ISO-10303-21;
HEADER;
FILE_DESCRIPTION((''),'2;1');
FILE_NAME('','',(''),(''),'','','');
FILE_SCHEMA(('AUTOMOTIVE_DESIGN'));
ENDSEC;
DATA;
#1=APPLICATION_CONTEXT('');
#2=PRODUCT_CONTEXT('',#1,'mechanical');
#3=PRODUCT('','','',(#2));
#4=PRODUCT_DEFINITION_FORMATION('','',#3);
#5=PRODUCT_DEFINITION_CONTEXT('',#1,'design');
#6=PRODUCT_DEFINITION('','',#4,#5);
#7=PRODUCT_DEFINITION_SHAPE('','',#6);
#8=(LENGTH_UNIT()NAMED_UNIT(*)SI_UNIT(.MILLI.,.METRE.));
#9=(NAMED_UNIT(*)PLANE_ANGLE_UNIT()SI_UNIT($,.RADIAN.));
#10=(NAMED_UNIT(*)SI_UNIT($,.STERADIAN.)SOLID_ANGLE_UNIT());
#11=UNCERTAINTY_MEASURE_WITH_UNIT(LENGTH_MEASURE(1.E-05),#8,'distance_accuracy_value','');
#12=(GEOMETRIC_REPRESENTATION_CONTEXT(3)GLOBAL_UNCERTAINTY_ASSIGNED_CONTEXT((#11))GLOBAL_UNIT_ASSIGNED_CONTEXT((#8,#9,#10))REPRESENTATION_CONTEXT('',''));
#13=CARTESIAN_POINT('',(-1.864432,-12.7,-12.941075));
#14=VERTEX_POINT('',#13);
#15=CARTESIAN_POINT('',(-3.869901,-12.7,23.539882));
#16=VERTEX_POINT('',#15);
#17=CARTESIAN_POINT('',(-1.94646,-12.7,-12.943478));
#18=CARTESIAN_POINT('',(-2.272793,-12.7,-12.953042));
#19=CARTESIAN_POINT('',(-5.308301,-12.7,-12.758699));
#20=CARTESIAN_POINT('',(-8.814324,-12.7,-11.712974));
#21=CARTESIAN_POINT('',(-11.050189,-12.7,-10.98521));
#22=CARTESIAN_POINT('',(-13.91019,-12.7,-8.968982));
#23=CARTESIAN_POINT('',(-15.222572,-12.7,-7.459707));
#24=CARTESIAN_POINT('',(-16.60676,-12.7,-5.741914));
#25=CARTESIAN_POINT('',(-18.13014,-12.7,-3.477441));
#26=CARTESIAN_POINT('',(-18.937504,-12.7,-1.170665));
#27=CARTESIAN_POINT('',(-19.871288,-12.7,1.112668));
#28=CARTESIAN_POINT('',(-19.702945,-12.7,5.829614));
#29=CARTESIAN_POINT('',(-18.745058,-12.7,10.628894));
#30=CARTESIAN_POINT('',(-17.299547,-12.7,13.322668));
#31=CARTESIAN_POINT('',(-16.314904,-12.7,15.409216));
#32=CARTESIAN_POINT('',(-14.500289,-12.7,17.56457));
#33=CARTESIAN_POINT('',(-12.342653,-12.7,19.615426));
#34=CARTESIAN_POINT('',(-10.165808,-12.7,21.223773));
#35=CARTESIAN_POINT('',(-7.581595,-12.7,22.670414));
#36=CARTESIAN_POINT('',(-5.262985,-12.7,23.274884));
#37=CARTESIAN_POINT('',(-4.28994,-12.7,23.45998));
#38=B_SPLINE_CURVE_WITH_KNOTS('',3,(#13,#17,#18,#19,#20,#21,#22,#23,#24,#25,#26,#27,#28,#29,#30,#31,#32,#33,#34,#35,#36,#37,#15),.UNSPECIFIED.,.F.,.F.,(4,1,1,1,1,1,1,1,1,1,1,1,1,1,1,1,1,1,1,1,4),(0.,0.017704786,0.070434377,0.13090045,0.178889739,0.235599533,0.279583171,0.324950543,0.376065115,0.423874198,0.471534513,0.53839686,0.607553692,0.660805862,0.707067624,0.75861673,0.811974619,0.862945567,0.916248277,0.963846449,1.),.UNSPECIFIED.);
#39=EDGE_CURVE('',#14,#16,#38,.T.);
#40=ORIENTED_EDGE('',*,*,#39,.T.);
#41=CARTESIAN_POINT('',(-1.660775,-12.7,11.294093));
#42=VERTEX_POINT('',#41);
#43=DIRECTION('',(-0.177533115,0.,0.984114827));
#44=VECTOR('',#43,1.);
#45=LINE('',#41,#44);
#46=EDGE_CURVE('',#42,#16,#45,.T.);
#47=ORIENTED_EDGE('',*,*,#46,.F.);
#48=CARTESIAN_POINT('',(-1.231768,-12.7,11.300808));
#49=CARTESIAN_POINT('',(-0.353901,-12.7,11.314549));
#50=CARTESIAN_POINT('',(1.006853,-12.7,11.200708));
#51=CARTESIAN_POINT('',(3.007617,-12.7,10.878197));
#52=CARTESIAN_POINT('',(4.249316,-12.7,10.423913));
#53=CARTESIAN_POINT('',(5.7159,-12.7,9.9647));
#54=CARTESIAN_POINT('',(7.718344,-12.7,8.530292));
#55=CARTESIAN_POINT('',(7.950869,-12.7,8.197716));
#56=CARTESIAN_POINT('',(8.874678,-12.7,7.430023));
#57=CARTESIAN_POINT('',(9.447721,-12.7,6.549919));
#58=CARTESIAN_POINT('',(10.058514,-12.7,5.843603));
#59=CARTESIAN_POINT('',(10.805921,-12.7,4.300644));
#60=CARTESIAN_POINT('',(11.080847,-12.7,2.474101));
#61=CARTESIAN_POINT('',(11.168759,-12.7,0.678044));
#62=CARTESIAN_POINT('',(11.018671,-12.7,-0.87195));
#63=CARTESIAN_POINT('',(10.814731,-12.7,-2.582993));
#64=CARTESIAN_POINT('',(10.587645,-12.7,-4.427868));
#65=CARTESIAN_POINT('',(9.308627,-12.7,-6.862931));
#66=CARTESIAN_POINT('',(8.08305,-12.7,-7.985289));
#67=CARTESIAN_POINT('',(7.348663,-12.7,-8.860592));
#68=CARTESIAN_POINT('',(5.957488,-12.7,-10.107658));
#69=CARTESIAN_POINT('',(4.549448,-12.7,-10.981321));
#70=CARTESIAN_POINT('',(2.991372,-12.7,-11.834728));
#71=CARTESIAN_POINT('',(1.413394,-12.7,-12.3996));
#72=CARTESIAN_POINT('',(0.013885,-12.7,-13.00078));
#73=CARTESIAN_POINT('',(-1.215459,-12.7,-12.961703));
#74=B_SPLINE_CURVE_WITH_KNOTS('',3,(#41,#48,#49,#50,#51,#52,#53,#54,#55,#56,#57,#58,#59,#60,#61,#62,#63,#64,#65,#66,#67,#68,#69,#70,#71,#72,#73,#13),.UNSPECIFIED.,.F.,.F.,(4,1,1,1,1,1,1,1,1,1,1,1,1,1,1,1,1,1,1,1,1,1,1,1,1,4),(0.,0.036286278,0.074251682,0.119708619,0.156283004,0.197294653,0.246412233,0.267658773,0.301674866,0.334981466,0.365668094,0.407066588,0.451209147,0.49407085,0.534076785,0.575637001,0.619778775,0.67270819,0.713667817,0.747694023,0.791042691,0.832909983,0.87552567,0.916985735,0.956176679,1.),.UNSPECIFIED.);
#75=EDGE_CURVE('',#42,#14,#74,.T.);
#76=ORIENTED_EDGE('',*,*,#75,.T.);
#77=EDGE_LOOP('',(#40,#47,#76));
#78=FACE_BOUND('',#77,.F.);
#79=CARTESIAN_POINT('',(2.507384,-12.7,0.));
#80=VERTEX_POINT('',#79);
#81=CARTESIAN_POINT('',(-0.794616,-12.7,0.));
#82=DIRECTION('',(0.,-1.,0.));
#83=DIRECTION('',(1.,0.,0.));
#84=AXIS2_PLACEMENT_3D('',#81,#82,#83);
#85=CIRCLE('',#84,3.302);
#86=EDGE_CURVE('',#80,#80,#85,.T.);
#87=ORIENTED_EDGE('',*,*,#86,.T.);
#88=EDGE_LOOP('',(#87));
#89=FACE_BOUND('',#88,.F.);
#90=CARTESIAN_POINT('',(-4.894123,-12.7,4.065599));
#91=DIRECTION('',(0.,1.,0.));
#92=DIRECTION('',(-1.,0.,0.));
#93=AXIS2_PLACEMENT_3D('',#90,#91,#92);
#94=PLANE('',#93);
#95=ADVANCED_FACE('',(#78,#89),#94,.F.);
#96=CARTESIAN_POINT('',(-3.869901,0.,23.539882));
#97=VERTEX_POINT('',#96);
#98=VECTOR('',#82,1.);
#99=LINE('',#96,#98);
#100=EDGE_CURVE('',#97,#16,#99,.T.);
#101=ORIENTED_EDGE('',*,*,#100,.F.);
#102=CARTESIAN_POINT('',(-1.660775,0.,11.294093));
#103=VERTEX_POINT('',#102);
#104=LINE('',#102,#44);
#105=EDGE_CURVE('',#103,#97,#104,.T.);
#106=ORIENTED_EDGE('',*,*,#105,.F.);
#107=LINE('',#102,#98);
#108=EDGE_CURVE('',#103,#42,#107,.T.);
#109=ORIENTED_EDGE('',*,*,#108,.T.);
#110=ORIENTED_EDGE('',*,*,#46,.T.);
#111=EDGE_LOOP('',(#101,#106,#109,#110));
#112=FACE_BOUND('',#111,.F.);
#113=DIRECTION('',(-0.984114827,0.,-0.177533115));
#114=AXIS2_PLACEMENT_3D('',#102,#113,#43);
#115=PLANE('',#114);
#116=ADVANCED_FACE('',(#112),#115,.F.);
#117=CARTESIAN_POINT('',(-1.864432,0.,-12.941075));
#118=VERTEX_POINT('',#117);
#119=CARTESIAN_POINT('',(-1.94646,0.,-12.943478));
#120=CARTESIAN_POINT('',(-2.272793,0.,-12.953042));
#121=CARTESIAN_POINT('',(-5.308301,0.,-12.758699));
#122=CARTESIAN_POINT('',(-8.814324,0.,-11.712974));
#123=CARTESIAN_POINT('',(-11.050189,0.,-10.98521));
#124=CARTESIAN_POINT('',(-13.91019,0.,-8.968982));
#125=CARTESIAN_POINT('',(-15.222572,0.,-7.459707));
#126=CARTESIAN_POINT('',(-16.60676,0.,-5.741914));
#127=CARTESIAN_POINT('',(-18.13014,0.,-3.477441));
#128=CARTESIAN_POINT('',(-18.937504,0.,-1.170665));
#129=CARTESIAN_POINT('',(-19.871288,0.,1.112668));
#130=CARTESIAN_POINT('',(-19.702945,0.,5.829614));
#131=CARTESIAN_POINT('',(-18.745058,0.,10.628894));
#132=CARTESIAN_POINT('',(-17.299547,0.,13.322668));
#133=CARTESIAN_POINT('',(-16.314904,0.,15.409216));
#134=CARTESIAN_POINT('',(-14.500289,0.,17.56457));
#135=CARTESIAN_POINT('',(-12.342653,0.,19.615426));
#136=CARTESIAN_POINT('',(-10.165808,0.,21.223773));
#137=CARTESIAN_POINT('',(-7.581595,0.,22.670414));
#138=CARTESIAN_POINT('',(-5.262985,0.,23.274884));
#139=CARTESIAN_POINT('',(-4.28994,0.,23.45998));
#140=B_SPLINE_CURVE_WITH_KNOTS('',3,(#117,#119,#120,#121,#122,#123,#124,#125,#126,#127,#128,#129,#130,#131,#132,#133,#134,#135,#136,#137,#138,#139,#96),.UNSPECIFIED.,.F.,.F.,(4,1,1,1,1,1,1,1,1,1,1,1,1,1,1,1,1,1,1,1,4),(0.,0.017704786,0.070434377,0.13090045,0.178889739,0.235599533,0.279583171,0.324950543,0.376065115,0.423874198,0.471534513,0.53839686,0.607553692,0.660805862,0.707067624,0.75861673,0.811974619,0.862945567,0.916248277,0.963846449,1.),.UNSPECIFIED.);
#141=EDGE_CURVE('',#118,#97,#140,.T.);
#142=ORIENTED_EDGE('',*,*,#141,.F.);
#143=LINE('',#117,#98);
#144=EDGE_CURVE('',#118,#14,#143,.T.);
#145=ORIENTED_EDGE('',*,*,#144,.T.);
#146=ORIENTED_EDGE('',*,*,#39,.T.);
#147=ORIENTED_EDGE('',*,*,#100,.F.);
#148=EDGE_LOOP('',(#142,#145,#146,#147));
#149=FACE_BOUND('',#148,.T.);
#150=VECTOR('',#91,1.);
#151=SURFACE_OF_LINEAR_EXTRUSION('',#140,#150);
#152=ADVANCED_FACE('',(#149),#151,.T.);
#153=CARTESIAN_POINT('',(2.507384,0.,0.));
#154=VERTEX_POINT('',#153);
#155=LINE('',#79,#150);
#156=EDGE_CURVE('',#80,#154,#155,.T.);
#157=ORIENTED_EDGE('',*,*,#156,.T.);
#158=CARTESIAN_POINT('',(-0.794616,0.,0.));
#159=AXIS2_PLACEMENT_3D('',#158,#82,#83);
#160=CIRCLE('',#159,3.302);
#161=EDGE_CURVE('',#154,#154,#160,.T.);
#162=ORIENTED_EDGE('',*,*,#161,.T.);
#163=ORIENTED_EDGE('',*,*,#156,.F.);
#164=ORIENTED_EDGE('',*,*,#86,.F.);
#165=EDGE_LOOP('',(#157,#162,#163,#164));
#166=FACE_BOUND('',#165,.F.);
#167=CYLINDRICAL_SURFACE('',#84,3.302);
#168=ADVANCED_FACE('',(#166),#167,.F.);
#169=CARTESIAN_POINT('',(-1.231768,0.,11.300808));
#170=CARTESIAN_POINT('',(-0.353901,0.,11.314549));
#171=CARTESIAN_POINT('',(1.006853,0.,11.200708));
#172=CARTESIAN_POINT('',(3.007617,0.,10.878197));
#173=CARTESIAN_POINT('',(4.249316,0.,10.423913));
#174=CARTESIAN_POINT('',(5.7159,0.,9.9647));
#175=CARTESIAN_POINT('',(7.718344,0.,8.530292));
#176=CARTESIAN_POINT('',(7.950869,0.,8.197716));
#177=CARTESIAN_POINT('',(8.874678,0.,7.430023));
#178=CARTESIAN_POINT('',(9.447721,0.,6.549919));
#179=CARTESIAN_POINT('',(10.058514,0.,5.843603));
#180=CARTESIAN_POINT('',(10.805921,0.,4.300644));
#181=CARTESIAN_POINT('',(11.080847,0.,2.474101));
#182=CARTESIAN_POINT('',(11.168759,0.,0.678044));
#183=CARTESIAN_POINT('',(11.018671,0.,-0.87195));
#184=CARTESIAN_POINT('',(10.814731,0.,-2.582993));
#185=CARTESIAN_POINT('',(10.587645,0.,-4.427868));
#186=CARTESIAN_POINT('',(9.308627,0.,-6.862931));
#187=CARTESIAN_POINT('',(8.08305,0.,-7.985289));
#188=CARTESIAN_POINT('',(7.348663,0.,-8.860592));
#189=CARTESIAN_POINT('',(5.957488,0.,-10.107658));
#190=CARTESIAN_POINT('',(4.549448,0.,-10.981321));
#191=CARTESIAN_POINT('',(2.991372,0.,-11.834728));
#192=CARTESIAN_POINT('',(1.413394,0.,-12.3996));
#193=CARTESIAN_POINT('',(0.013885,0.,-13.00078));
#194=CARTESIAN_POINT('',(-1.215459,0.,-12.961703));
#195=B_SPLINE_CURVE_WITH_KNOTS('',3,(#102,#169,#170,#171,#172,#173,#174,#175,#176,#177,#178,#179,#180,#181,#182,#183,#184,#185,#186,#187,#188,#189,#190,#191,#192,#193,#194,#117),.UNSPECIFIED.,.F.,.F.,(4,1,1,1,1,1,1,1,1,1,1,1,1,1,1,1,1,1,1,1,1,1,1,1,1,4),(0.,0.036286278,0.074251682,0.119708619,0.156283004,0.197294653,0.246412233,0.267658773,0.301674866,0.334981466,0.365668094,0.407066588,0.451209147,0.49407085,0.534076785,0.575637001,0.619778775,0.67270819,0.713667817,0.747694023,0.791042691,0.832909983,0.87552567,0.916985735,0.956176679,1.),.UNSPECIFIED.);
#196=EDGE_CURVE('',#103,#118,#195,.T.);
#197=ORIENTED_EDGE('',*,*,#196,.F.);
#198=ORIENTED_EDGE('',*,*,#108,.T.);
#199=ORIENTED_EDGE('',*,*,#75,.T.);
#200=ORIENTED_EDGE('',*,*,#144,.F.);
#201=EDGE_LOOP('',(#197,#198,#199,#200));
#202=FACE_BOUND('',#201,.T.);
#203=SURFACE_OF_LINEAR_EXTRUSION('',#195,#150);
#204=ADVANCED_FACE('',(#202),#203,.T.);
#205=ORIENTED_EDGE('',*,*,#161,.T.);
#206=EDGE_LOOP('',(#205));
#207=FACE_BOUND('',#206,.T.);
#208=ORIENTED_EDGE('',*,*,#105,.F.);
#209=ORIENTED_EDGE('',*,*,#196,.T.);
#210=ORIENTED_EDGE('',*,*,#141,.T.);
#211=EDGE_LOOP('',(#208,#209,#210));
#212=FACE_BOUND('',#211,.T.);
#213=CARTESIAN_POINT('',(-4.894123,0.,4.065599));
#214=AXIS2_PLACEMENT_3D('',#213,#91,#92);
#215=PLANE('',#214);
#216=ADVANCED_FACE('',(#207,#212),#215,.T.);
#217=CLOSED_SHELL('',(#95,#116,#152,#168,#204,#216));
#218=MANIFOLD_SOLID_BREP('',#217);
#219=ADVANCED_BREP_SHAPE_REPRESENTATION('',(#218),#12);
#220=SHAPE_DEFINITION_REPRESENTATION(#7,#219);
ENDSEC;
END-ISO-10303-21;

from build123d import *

# Parameters (mm, degrees)
F1_DEPTH = 12.7
F2_R     = 3.302
F3_DEPTH = 12.7


with BuildPart() as f1:
    # F0 (on Front) → F1 (new body)
    with BuildSketch(Plane.XZ):
        with BuildLine():
            add(Edge.make_bspline(
                [(-1.6607752768, 11.294092983), (-1.2317678421, 11.3008081014), (-0.3539009147, 11.3145490762), (1.0068531892, 11.2007076462), (3.0076167376, 10.8781970785), (4.2493157605, 10.423913388), (5.7159003317, 9.9646998458), (7.7183444706, 8.5302920944), (7.9508694836, 8.1977156573), (8.8746778554, 7.4300232186), (9.4477208171, 6.5499191871), (10.0585137857, 5.8436030676), (10.8059206009, 4.3006441104), (11.0808466347, 2.4741013608), (11.1687585467, 0.6780435193), (11.0186708556, -0.8719503791), (10.8147314659, -2.5829933913), (10.5876449102, -4.4278680265), (9.308626869, -6.8629306465), (8.0830501372, -7.98528884), (7.3486632045, -8.8605919642), (5.9574875973, -10.1076576399), (4.5494478838, -10.9813214248), (2.9913724646, -11.8347283695), (1.4133944871, -12.3995997711), (0.0138848952, -13.0007801239), (-1.2154593657, -12.9617032709), (-1.8644315423, -12.9410745576)],
                knots=[0, 0, 0, 0, 0.0362862782, 0.0742516819, 0.119708619, 0.1562830042, 0.1972946526, 0.2464122334, 0.2676587734, 0.3016748662, 0.3349814661, 0.3656680945, 0.4070665885, 0.4512091467, 0.4940708497, 0.5340767846, 0.5756370008, 0.6197787748, 0.6727081899, 0.7136678167, 0.7476940231, 0.7910426913, 0.8329099827, 0.8755256704, 0.9169857347, 0.9561766788, 1, 1, 1, 1], degree=3))
            Line((-1.6607752768, 11.294092983), (-3.8699007127, 23.5398821533))
            add(Edge.make_bspline(
                [(-1.8644315423, -12.9410745576), (-1.9464602795, -12.9434783971), (-2.2727925517, -12.9530415139), (-5.3083012989, -12.7586994143), (-8.8143240937, -11.7129735057), (-11.0501893139, -10.9852103377), (-13.9101895619, -8.9689822976), (-15.2225717151, -7.4597070791), (-16.6067603493, -5.7419144038), (-18.130140246, -3.477441248), (-18.9375036624, -1.1706652583), (-19.8712875155, 1.112668278), (-19.7029453601, 5.8296137518), (-18.7450579464, 10.6288938768), (-17.2995471304, 13.3226677938), (-16.3149041448, 15.4092162739), (-14.5002885808, 17.5645704514), (-12.3426528733, 19.6154257036), (-10.1658084819, 21.2237732898), (-7.5815947125, 22.6704141749), (-5.2629849014, 23.274883651), (-4.289940116, 23.4599804405), (-3.8699007127, 23.5398821533)],
                knots=[0, 0, 0, 0, 0.0177047857, 0.0704343765, 0.13090045, 0.1788897385, 0.2355995328, 0.279583171, 0.3249505434, 0.3760651155, 0.4238741979, 0.4715345126, 0.5383968598, 0.6075536919, 0.6608058616, 0.7070676241, 0.7586167298, 0.8119746186, 0.8629455673, 0.9162482769, 0.9638464495, 1, 1, 1, 1], degree=3))
        make_face()
    extrude(amount=F1_DEPTH)

    # F2 (on face) → F3 (cut)
    with BuildSketch(Plane.XZ.offset(12.7)):
        with Locations((-0.7946157476, 0)):
            Circle(F2_R)
    extrude(amount=-F3_DEPTH, mode=Mode.SUBTRACT)


solid = f1.part
